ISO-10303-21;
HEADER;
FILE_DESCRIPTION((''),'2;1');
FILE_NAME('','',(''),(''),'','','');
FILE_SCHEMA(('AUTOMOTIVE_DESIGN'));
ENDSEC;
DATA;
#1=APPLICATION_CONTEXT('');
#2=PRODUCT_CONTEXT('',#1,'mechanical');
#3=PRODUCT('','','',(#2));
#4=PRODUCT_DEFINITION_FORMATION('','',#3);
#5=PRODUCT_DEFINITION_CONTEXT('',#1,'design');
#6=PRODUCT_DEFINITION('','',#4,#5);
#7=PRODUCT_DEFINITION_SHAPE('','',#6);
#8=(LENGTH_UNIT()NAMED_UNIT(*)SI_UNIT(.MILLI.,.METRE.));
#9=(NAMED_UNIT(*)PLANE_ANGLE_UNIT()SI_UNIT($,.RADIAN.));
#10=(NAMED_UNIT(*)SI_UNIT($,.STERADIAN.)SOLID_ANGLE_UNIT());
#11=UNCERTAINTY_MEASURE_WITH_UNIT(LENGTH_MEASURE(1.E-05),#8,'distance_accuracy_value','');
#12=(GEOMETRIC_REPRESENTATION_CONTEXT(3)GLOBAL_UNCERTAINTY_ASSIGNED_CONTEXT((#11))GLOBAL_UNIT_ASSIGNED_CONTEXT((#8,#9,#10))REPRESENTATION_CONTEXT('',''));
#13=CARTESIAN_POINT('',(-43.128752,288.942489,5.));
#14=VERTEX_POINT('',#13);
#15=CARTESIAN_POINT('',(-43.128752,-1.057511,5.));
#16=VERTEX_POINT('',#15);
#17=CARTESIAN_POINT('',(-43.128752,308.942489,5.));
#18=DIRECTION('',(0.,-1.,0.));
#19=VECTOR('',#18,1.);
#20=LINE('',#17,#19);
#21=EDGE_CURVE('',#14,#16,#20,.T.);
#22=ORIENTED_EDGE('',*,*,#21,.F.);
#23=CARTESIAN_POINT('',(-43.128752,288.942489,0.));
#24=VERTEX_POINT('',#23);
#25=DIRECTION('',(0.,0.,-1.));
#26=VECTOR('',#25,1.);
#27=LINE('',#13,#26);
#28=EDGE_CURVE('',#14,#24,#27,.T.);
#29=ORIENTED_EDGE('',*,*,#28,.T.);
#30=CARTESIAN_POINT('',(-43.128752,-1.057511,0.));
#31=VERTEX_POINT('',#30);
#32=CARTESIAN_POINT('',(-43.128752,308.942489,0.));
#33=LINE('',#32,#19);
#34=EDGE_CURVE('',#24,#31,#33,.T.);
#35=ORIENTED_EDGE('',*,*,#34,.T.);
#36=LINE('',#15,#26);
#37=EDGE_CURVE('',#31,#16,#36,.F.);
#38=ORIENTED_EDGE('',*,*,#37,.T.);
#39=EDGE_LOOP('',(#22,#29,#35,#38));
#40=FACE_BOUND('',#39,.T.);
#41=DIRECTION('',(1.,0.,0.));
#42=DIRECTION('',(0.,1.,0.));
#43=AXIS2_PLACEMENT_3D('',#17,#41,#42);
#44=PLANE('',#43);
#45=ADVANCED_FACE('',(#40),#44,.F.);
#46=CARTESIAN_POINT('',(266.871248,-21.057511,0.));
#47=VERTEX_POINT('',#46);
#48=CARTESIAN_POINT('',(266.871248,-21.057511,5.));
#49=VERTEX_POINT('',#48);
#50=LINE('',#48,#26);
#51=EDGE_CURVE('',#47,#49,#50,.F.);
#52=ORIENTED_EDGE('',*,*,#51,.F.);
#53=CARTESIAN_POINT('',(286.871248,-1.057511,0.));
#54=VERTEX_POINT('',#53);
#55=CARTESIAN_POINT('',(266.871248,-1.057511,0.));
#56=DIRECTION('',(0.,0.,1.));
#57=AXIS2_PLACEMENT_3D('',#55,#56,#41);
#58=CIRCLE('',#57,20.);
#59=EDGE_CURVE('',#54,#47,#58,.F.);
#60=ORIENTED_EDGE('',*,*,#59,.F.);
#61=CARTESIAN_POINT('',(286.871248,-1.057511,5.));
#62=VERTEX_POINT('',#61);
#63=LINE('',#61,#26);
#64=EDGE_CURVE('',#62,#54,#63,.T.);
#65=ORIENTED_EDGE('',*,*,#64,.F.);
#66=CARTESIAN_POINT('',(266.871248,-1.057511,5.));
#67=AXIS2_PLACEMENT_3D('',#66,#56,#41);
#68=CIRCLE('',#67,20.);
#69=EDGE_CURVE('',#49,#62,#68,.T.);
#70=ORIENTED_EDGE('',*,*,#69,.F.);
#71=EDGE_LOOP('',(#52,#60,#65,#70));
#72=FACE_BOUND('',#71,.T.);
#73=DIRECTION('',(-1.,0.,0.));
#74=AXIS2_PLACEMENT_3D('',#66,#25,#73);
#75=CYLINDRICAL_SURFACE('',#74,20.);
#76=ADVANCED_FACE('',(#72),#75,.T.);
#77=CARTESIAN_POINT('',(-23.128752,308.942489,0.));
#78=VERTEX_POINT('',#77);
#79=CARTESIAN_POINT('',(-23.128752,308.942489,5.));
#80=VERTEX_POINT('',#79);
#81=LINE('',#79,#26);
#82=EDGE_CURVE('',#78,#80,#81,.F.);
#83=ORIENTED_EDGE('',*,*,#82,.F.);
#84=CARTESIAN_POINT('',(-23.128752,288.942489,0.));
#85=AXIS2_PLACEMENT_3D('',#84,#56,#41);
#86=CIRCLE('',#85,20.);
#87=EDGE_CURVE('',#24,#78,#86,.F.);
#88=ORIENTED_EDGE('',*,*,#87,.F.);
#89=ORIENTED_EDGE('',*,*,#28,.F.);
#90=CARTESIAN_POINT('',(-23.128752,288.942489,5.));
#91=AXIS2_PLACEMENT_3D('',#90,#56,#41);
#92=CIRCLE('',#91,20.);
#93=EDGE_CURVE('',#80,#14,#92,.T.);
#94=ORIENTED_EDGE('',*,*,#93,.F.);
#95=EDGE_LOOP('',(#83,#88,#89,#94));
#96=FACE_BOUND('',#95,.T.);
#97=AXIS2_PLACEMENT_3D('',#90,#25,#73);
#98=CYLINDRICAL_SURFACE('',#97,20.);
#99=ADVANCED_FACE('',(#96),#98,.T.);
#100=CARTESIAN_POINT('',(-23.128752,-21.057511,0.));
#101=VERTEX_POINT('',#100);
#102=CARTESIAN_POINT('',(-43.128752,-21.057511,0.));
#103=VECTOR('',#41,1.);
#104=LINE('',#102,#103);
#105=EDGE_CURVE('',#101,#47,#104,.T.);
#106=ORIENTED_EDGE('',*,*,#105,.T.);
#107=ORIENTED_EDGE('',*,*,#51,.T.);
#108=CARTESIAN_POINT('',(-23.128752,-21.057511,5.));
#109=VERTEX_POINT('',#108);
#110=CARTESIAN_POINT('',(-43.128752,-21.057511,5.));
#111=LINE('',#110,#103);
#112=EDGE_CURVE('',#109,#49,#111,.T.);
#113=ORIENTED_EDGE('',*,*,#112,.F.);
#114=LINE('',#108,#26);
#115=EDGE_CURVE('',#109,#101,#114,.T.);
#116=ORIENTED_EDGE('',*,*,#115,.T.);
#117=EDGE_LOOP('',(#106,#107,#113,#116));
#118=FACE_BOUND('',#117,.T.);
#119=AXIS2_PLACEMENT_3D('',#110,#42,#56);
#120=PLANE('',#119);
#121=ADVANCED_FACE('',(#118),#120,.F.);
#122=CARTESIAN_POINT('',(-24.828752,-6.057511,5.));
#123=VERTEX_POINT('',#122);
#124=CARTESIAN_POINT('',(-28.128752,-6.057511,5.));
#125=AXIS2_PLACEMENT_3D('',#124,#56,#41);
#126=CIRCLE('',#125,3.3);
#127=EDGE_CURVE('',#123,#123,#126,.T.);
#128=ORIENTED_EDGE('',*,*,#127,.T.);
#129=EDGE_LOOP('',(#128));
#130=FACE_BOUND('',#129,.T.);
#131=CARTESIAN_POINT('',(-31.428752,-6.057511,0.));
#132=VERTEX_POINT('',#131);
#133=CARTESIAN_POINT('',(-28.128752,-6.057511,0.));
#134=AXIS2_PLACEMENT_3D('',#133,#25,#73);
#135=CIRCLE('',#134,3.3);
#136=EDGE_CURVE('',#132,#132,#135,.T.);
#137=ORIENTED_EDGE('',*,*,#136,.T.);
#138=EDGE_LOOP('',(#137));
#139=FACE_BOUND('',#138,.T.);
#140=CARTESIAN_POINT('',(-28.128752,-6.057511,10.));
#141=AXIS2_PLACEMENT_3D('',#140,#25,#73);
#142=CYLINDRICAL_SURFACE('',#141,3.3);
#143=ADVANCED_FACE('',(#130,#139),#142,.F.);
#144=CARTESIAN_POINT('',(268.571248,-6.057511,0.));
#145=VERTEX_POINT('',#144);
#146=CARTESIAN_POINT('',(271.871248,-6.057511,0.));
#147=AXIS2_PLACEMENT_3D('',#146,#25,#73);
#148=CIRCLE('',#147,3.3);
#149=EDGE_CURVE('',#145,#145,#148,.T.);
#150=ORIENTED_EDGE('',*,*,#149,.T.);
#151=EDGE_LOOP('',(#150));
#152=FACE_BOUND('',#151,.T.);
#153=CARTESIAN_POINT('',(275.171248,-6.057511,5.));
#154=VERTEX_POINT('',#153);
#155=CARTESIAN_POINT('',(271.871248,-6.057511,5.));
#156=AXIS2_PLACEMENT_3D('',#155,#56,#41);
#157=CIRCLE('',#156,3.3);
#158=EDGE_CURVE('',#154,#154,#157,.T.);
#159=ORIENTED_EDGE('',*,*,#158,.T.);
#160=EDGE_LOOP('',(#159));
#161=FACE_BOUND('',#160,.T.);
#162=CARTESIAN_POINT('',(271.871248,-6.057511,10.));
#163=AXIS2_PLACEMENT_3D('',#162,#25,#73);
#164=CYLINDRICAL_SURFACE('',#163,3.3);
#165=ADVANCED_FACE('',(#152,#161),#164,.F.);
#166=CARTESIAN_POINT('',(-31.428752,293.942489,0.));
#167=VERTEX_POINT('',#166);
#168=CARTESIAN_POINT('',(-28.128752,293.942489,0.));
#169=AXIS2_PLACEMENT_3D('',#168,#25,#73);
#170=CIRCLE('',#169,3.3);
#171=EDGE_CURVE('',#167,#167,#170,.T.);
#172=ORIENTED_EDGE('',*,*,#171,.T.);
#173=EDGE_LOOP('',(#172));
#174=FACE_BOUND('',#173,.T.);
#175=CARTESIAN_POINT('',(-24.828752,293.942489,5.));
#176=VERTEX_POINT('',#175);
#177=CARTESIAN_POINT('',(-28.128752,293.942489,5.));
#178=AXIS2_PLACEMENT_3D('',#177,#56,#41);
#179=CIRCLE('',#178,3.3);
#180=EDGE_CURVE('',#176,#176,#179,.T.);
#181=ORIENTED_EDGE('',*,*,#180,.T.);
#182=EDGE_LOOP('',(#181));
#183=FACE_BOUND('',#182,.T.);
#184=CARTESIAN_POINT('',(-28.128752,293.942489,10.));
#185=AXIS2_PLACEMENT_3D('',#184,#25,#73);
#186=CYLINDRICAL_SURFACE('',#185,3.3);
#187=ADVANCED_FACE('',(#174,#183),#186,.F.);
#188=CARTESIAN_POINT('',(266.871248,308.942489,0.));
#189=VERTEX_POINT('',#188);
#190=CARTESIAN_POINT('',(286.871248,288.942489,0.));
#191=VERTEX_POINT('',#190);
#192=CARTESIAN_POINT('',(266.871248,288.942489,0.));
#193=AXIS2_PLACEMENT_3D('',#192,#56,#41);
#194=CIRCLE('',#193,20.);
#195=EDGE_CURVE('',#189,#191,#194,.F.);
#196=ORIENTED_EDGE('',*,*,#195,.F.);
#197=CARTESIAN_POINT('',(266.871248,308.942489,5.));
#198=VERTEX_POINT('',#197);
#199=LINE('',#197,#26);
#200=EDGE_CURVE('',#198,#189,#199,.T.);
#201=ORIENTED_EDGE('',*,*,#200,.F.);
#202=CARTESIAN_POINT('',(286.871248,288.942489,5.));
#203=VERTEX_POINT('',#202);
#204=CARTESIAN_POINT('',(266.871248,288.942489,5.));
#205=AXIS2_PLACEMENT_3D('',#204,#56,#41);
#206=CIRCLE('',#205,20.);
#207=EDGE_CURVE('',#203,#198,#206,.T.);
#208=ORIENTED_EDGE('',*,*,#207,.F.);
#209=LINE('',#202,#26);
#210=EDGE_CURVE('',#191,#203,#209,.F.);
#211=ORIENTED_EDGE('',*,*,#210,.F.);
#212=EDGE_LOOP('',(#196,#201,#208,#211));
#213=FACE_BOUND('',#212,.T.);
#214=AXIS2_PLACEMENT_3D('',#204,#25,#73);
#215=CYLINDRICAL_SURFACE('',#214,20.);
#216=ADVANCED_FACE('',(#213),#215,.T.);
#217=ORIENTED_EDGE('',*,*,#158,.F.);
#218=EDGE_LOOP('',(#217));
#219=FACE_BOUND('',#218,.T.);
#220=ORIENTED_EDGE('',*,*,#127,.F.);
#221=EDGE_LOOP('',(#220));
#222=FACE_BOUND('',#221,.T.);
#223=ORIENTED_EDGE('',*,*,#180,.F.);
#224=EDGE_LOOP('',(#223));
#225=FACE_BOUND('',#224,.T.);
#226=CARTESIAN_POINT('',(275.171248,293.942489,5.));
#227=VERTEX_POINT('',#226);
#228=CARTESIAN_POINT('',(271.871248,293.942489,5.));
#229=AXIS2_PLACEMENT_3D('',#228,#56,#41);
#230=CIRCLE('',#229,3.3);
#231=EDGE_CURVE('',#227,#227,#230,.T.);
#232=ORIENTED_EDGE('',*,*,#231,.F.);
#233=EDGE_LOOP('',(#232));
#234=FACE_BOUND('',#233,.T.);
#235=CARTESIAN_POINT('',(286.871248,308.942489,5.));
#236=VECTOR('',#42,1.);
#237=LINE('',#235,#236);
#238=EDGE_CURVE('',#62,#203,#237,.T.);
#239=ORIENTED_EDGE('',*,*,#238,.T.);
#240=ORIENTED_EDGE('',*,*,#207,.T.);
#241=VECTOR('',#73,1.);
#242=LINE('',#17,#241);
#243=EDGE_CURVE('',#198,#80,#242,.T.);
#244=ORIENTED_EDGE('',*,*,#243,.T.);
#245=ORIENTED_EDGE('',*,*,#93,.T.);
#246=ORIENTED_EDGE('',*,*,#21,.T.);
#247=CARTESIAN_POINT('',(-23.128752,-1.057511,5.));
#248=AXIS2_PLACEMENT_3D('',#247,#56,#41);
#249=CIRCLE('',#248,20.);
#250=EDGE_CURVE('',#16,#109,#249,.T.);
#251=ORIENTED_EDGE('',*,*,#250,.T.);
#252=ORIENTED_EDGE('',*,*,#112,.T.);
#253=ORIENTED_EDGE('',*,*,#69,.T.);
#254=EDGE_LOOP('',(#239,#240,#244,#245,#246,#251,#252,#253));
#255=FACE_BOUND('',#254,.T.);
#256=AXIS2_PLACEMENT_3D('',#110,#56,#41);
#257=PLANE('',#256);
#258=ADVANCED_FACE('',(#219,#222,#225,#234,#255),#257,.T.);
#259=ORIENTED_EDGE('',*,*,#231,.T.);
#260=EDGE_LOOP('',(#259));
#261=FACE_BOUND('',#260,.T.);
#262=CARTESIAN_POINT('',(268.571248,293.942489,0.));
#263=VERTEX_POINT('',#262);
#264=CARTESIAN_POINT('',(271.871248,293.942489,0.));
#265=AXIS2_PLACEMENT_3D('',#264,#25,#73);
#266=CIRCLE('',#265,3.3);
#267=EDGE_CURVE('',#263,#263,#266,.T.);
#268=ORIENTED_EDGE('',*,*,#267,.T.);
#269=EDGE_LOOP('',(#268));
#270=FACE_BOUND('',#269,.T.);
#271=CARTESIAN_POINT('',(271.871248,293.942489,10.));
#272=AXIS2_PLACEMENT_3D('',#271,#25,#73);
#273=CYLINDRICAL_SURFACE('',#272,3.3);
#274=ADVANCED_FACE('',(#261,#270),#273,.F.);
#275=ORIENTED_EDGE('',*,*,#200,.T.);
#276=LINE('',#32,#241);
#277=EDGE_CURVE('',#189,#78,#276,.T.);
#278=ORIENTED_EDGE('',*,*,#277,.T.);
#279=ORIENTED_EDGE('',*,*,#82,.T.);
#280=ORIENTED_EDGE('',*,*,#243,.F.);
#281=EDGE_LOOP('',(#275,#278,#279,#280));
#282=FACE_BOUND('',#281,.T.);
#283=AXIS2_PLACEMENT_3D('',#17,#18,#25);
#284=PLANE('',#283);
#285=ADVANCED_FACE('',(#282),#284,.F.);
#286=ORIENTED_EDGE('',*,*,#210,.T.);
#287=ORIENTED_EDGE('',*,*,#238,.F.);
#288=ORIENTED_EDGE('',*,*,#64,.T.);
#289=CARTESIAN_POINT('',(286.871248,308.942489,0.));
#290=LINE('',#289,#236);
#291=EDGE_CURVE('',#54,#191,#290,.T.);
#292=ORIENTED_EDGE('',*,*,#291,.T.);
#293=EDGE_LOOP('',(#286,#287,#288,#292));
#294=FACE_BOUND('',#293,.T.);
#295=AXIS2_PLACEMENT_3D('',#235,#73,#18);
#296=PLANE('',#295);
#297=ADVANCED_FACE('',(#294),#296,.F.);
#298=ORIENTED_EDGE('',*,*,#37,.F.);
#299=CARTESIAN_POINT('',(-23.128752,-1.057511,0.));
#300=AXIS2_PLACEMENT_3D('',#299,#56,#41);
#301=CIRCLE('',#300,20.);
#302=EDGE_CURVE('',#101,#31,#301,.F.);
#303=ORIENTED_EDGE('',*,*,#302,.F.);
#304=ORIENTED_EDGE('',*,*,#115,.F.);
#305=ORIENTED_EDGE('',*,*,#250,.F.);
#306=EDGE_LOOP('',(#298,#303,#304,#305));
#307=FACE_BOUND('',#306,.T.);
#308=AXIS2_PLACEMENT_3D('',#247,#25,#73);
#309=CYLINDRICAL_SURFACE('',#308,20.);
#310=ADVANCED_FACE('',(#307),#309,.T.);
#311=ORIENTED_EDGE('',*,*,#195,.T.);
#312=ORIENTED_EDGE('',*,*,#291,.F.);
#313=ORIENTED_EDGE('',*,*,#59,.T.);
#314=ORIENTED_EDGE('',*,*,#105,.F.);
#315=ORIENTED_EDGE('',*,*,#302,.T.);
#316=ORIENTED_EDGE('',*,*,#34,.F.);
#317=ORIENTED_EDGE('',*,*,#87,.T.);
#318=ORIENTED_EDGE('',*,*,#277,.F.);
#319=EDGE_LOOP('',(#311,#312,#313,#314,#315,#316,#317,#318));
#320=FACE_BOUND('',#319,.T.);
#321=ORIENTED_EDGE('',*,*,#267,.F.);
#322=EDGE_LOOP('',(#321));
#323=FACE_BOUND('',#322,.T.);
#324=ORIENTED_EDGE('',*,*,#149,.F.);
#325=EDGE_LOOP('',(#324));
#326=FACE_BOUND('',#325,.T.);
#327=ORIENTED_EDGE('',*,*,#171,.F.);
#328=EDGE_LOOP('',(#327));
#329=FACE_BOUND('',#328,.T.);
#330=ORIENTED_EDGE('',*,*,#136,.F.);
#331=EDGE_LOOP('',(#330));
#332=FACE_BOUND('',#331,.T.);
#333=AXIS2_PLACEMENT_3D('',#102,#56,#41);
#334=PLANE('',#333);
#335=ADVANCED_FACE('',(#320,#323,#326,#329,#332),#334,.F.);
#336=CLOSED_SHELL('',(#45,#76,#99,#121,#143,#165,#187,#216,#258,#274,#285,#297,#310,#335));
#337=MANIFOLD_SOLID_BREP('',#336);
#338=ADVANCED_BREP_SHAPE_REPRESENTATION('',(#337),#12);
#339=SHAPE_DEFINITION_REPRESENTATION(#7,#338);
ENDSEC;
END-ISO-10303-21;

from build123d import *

# Parameters (mm, degrees)
SKETCH_1_W          = 330
SKETCH_1_H          = 330
EXTRUDE_1_DEPTH     = 5
FILLET_1_R          = 20
SKETCH_2_R          = 3.3
CUT_EXTRUDE_1_DEPTH = 10


with BuildPart() as part:
    # 草图1 → 凸台-拉伸1 (new body)
    with BuildSketch(Plane.XY):
        with Locations((121.871247651, 143.942488789)):
            Rectangle(SKETCH_1_W, SKETCH_1_H)
    extrude(amount=EXTRUDE_1_DEPTH)

    # 圆角1
    fillet_1_edges = [part.edges().sort_by_distance(p)[0] for p in [
        (-43.128752349, 308.942488789, 2.5),
        (286.871247651, 308.942488789, 2.5),
        (286.871247651, -21.057511211, 2.5),
        (-43.128752349, -21.057511211, 2.5),
    ]]
    fillet(fillet_1_edges, radius=FILLET_1_R)

    # 草图2 → 切除-拉伸1 (cut)
    with BuildSketch(Plane(origin=(0, 0, 0), x_dir=(-1, 0, 0), z_dir=(0, 0, -1))):
        with Locations((28.128752349, -6.057511211)):
            Circle(SKETCH_2_R)
        with Locations((-271.871247651, -6.057511211)):
            Circle(SKETCH_2_R)
        with Locations((-271.871247651, 293.942488789)):
            Circle(SKETCH_2_R)
        with Locations((28.128752349, 293.942488789)):
            Circle(SKETCH_2_R)
    extrude(amount=-CUT_EXTRUDE_1_DEPTH, mode=Mode.SUBTRACT)


solid = part.part
